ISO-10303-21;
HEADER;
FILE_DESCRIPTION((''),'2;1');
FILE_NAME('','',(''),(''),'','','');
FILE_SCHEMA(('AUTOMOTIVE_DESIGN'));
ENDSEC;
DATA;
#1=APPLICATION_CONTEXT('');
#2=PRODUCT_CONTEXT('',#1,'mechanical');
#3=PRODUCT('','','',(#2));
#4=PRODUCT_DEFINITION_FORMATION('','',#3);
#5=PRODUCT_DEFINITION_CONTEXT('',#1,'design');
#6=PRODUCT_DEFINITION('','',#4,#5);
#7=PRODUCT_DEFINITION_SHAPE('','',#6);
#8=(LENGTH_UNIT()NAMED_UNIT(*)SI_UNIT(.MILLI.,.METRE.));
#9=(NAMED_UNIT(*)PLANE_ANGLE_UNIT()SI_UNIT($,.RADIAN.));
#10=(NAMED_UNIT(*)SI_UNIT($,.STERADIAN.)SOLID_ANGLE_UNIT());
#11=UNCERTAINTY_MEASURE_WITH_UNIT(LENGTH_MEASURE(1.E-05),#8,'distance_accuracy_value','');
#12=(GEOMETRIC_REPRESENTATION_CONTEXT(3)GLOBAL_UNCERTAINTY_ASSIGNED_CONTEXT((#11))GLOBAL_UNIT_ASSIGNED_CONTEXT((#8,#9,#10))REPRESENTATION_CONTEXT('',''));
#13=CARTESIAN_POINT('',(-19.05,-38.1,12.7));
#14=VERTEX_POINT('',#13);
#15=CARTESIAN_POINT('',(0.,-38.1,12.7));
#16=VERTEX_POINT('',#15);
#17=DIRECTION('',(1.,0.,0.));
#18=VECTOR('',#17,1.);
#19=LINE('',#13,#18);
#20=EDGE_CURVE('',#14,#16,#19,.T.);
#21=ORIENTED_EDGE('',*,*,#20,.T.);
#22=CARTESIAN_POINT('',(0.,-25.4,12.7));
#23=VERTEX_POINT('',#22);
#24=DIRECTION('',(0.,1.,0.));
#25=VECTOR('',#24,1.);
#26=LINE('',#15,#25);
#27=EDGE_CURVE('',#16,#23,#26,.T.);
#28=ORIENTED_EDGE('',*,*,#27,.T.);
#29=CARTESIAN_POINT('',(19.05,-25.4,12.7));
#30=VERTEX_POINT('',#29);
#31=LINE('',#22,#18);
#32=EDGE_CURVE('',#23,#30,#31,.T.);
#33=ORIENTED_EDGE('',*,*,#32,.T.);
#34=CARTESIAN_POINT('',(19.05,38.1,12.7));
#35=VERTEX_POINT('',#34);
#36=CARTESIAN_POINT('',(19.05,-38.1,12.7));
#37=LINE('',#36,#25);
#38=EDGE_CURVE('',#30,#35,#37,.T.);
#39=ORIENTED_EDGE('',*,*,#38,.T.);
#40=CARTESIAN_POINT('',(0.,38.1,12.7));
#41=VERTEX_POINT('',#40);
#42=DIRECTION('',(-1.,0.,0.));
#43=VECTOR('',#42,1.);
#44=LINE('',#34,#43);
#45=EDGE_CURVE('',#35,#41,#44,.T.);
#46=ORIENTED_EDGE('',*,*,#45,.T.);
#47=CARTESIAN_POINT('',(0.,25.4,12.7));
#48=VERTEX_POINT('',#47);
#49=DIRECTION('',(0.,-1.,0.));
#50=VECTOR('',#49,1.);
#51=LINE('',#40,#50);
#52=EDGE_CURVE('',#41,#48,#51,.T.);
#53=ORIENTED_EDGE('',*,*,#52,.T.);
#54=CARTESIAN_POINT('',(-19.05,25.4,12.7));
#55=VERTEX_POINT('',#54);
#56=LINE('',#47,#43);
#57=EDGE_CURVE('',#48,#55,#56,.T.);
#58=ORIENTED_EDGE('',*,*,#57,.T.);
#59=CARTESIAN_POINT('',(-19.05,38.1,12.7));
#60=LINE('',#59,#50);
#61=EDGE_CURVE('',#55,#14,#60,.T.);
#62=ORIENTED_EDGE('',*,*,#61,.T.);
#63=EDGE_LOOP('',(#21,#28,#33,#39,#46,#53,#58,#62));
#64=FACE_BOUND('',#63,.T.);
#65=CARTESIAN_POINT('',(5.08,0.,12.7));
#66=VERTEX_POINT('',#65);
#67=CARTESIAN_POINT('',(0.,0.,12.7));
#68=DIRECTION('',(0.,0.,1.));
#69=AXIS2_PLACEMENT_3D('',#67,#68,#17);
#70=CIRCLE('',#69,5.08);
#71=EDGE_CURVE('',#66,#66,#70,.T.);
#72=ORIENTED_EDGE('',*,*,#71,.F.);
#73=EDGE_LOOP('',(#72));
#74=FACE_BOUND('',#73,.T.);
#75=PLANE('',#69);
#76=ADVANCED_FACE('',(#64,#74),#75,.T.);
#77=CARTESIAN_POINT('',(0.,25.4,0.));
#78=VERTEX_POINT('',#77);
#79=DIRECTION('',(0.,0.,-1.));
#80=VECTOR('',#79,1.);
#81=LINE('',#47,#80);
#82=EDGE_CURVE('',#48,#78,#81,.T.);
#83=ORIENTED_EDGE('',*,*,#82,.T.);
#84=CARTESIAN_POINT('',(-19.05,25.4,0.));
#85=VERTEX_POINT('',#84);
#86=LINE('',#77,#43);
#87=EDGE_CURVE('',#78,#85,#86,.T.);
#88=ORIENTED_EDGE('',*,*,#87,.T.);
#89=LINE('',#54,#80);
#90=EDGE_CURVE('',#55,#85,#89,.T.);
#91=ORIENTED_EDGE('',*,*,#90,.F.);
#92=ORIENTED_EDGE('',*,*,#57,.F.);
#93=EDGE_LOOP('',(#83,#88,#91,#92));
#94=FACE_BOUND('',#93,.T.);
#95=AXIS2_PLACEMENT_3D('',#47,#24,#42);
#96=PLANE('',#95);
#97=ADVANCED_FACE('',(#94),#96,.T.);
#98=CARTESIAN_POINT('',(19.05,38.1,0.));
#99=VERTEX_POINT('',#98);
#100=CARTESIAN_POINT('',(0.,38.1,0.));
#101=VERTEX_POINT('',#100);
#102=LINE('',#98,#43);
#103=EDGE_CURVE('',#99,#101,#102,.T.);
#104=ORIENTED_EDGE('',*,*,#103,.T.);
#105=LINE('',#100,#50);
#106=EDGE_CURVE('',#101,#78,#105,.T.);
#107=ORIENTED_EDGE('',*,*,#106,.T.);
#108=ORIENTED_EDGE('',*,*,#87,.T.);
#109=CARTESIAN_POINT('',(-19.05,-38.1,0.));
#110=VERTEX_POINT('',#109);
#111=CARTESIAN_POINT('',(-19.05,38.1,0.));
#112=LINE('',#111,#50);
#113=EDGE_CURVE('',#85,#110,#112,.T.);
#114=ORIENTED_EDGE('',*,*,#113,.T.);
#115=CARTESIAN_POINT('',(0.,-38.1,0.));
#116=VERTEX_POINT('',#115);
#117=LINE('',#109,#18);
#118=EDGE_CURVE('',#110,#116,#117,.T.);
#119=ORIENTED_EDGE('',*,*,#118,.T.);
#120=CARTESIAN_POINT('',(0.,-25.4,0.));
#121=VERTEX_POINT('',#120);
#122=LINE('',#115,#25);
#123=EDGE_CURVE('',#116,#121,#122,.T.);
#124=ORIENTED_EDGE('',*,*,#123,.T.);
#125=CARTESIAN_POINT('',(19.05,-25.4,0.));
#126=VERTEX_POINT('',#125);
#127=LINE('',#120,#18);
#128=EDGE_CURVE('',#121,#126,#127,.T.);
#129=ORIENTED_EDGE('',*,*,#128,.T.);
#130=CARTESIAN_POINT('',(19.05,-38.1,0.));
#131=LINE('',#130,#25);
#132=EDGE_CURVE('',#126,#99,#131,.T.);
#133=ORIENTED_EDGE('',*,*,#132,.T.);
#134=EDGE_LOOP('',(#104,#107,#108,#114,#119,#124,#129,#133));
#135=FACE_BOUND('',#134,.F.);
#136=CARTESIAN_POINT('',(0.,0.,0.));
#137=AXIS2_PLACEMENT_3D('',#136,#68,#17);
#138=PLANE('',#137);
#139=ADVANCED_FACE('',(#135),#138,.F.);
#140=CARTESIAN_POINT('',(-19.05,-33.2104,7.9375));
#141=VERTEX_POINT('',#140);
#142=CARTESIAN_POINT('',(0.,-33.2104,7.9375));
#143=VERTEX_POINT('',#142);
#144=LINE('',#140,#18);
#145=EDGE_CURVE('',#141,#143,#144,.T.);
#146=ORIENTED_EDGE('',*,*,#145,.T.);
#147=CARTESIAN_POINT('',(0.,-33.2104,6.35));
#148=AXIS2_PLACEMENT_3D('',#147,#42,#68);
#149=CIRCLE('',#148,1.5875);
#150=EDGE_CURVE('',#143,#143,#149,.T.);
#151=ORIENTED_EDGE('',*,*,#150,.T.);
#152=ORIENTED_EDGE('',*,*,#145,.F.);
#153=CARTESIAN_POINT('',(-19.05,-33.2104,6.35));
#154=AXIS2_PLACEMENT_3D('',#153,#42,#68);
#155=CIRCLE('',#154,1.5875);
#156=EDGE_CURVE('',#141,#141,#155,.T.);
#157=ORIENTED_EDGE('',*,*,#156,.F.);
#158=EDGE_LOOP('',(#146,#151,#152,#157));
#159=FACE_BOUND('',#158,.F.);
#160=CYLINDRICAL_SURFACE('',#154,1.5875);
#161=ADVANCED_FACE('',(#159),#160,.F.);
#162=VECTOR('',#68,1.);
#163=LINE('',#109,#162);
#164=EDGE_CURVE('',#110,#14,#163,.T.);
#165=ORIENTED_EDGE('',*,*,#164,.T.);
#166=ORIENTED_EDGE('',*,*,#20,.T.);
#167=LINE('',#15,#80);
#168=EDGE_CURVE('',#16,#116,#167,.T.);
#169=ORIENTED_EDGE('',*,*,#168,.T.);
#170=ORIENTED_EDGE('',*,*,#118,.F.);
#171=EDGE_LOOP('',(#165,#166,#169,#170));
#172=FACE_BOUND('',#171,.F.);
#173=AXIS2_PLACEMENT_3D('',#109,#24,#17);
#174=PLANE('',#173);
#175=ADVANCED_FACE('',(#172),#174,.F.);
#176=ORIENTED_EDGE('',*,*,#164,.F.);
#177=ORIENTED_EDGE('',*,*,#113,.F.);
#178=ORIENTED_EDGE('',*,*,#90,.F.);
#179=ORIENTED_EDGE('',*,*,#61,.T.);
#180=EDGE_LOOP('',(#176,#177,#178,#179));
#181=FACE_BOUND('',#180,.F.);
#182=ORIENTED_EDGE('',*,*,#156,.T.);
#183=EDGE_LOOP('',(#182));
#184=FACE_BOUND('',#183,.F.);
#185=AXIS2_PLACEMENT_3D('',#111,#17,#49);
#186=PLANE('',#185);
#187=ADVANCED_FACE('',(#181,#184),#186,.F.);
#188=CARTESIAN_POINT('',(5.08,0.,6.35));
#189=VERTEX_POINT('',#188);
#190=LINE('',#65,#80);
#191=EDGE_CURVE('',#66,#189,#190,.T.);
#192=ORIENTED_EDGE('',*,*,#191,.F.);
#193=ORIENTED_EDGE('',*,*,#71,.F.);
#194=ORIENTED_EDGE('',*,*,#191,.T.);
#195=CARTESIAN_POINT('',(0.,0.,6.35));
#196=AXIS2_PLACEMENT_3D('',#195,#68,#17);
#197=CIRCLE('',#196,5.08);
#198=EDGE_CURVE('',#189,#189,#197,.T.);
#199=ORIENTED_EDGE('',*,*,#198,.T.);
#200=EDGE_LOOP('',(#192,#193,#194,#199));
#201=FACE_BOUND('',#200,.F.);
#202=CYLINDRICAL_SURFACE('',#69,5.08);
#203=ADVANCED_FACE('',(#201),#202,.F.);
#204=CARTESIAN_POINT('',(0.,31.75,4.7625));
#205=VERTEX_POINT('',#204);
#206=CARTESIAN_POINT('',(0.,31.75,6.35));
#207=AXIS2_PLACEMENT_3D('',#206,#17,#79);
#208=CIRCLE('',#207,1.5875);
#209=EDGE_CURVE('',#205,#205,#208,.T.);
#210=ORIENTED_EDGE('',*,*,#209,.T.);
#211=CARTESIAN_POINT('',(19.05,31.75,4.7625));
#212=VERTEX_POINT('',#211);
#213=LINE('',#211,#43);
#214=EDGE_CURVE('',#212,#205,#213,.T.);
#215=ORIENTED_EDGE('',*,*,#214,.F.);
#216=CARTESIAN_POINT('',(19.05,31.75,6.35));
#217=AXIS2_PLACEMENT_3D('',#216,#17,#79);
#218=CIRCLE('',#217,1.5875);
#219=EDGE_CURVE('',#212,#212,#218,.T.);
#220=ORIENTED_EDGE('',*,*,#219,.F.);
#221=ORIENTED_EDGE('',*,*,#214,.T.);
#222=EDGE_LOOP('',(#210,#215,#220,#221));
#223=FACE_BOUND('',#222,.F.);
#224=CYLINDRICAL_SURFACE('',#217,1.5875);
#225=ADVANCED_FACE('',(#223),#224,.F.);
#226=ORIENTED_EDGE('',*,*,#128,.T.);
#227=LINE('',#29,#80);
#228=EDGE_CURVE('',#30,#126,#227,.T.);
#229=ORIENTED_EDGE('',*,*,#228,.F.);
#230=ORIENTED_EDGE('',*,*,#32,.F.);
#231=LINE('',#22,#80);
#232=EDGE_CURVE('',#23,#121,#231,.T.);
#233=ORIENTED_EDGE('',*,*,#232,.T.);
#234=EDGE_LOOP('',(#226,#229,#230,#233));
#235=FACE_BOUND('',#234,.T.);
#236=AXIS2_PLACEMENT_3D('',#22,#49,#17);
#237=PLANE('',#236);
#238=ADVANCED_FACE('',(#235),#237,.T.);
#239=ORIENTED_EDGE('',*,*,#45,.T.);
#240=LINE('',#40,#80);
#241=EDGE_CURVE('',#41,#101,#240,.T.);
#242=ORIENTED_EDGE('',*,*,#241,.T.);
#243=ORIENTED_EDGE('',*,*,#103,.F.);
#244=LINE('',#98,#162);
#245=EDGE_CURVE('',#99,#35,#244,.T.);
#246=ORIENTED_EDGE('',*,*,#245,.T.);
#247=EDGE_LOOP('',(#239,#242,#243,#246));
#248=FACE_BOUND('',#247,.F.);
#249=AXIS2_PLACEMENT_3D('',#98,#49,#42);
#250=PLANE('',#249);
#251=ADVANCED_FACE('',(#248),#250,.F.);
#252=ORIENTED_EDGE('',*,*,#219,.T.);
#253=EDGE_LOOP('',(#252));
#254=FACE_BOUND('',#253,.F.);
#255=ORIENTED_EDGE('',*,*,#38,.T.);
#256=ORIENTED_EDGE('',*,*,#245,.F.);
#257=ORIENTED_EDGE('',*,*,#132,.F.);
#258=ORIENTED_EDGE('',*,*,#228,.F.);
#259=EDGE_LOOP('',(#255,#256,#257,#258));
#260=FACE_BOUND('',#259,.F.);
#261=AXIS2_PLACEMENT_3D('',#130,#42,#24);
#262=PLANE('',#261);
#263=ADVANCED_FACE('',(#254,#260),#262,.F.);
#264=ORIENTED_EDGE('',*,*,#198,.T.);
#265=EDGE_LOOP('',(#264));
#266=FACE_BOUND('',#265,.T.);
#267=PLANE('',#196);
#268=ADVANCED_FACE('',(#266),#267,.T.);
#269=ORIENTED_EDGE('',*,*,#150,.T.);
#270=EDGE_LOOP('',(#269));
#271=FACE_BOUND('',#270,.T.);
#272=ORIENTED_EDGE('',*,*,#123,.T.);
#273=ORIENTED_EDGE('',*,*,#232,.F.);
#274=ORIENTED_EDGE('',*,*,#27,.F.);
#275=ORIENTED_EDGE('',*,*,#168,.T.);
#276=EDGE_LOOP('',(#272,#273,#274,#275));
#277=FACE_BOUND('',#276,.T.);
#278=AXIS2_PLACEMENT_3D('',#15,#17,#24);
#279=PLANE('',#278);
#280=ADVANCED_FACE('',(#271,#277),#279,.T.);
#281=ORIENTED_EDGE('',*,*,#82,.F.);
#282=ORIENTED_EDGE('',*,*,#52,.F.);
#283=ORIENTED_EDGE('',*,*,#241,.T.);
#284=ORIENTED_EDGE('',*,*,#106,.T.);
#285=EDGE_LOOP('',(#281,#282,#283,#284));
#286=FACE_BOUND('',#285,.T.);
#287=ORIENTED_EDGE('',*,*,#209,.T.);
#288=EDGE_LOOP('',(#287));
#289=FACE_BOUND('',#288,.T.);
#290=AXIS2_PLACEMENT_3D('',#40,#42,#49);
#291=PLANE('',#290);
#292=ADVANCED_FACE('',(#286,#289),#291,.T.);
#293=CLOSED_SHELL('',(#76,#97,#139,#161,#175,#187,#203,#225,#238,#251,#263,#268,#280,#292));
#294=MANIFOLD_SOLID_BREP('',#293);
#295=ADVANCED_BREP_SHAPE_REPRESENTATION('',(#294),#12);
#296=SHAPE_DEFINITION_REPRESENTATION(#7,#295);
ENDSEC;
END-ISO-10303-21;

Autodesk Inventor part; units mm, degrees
ref_plane "YZ Plane" through (0, 0, 0) normal (1, 0, 0) x (0, 1, 0)
ref_plane "XZ Plane" through (0, 0, 0) normal (0, 1, 0) x (-1, 0, 0)
ref_plane "XY Plane" through (0, 0, 0) normal (0, 0, 1) x (1, 0, 0)
sketch "Sketch1" plane through (0, 0, 0) normal (0, 0, 1) x (1, 0, 0)
  line L0 (-19.05, -38.1) -> (19.05, -38.1)
  line L1 (19.05, -38.1) -> (19.05, 38.1)
  line L2 (19.05, 38.1) -> (-19.05, 38.1)
  line L3 (-19.05, 38.1) -> (-19.05, -38.1)
  line L4 (-19.05, -38.1) -> (19.05, 38.1) construction
  line L5 (19.05, -38.1) -> (-19.05, 38.1) construction
  point P0 (0, 0)
  dimension "d0" = 38.1
  dimension "d1" = 76.2
extrude "Extrusion1" add sketch "Sketch1" along normal blind 12.7
sketch "Sketch2" plane through (0, 0, 12.7) normal (0, 0, 1) x (1, 0, 0)
  line L0 (-19.05, 38.1) -> (0, 38.1)
  line L1 (0, 38.1) -> (0, 25.4)
  line L2 (0, 25.4) -> (-19.05, 25.4)
  line L3 (-19.05, 25.4) -> (-19.05, 38.1)
  point P0 (0, 0)
  dimension "d4" = 19.05
  dimension "d5" = 12.7
extrude "Extrusion2" cut sketch "Sketch2" against normal blind 12.7
sketch "Sketch3" plane through (0, 0, 12.7) normal (0, 0, 1) x (1, 0, 0)
  line L0 (19.05, -38.1) -> (0, -38.1)
  line L1 (0, -38.1) -> (0, -25.4)
  line L2 (0, -25.4) -> (19.05, -25.4)
  line L3 (19.05, -25.4) -> (19.05, -38.1)
  point P0 (0, 0)
  dimension "d8" = 19.05
  dimension "d9" = 12.7
extrude "Extrusion3" cut sketch "Sketch3" against normal blind 12.7
sketch "Sketch4" plane through (0, 0, 12.7) normal (0, 0, 1) x (1, 0, 0)
  circle A0 centre (0, 0) radius 5.08
  dimension "d12" = 10.16
extrude "Extrusion4" cut sketch "Sketch4" against normal blind 6.35
sketch "Sketch5" plane through (19.05, 38.1, 12.7) normal (1, 0, 0) x (0, 0, -1)
  line L0 (12.7, -76.2) -> (12.7, 0) projected
  line L1 (12.7, 0) -> (0, 0) projected
  line L2 (0, -63.5) -> (0, 0) projected
  line L3 (0, -12.7) -> (12.7, -12.7) projected
  circle A0 centre (6.35, -6.35) radius 1.5875
  point P0 (12.7, -63.5)
  point P1 (12.7, -38.1)
  dimension "d16" = 3.175
  dimension "d17" = 6.35
  dimension "d18" = 6.35
  dimension "d19" = 6.35
  dimension "d20" = 6.35
extrude "Extrusion5" cut sketch "Sketch5" against normal blind 19.05 contours A0
sketch "Sketch9" plane through (-19.05, -38.1, 0) normal (-1, 0, 0) x (0, 0, 1)
  line L0 (0, 0) -> (12.7, 0) projected
  line L1 (12.7, 63.5) -> (12.7, 0) projected
  line L2 (12.7, 9.7791) -> (0, 9.7791) projected
  circle A0 centre (6.35, 4.8896) radius 1.5875
  point P0 (0, 38.1)
  dimension "d34" = 3.175
  dimension "d35" = 6.35
  dimension "d36" = 4.8896
  dimension "d37" = 4.8896
extrude "Extrusion9" cut sketch "Sketch9" against normal blind 19.05
equation "\"d17\" = d18"
equation "\"d19\" = d20"
equation "\"d36\" = d37"
properties part number "MotorMount"
